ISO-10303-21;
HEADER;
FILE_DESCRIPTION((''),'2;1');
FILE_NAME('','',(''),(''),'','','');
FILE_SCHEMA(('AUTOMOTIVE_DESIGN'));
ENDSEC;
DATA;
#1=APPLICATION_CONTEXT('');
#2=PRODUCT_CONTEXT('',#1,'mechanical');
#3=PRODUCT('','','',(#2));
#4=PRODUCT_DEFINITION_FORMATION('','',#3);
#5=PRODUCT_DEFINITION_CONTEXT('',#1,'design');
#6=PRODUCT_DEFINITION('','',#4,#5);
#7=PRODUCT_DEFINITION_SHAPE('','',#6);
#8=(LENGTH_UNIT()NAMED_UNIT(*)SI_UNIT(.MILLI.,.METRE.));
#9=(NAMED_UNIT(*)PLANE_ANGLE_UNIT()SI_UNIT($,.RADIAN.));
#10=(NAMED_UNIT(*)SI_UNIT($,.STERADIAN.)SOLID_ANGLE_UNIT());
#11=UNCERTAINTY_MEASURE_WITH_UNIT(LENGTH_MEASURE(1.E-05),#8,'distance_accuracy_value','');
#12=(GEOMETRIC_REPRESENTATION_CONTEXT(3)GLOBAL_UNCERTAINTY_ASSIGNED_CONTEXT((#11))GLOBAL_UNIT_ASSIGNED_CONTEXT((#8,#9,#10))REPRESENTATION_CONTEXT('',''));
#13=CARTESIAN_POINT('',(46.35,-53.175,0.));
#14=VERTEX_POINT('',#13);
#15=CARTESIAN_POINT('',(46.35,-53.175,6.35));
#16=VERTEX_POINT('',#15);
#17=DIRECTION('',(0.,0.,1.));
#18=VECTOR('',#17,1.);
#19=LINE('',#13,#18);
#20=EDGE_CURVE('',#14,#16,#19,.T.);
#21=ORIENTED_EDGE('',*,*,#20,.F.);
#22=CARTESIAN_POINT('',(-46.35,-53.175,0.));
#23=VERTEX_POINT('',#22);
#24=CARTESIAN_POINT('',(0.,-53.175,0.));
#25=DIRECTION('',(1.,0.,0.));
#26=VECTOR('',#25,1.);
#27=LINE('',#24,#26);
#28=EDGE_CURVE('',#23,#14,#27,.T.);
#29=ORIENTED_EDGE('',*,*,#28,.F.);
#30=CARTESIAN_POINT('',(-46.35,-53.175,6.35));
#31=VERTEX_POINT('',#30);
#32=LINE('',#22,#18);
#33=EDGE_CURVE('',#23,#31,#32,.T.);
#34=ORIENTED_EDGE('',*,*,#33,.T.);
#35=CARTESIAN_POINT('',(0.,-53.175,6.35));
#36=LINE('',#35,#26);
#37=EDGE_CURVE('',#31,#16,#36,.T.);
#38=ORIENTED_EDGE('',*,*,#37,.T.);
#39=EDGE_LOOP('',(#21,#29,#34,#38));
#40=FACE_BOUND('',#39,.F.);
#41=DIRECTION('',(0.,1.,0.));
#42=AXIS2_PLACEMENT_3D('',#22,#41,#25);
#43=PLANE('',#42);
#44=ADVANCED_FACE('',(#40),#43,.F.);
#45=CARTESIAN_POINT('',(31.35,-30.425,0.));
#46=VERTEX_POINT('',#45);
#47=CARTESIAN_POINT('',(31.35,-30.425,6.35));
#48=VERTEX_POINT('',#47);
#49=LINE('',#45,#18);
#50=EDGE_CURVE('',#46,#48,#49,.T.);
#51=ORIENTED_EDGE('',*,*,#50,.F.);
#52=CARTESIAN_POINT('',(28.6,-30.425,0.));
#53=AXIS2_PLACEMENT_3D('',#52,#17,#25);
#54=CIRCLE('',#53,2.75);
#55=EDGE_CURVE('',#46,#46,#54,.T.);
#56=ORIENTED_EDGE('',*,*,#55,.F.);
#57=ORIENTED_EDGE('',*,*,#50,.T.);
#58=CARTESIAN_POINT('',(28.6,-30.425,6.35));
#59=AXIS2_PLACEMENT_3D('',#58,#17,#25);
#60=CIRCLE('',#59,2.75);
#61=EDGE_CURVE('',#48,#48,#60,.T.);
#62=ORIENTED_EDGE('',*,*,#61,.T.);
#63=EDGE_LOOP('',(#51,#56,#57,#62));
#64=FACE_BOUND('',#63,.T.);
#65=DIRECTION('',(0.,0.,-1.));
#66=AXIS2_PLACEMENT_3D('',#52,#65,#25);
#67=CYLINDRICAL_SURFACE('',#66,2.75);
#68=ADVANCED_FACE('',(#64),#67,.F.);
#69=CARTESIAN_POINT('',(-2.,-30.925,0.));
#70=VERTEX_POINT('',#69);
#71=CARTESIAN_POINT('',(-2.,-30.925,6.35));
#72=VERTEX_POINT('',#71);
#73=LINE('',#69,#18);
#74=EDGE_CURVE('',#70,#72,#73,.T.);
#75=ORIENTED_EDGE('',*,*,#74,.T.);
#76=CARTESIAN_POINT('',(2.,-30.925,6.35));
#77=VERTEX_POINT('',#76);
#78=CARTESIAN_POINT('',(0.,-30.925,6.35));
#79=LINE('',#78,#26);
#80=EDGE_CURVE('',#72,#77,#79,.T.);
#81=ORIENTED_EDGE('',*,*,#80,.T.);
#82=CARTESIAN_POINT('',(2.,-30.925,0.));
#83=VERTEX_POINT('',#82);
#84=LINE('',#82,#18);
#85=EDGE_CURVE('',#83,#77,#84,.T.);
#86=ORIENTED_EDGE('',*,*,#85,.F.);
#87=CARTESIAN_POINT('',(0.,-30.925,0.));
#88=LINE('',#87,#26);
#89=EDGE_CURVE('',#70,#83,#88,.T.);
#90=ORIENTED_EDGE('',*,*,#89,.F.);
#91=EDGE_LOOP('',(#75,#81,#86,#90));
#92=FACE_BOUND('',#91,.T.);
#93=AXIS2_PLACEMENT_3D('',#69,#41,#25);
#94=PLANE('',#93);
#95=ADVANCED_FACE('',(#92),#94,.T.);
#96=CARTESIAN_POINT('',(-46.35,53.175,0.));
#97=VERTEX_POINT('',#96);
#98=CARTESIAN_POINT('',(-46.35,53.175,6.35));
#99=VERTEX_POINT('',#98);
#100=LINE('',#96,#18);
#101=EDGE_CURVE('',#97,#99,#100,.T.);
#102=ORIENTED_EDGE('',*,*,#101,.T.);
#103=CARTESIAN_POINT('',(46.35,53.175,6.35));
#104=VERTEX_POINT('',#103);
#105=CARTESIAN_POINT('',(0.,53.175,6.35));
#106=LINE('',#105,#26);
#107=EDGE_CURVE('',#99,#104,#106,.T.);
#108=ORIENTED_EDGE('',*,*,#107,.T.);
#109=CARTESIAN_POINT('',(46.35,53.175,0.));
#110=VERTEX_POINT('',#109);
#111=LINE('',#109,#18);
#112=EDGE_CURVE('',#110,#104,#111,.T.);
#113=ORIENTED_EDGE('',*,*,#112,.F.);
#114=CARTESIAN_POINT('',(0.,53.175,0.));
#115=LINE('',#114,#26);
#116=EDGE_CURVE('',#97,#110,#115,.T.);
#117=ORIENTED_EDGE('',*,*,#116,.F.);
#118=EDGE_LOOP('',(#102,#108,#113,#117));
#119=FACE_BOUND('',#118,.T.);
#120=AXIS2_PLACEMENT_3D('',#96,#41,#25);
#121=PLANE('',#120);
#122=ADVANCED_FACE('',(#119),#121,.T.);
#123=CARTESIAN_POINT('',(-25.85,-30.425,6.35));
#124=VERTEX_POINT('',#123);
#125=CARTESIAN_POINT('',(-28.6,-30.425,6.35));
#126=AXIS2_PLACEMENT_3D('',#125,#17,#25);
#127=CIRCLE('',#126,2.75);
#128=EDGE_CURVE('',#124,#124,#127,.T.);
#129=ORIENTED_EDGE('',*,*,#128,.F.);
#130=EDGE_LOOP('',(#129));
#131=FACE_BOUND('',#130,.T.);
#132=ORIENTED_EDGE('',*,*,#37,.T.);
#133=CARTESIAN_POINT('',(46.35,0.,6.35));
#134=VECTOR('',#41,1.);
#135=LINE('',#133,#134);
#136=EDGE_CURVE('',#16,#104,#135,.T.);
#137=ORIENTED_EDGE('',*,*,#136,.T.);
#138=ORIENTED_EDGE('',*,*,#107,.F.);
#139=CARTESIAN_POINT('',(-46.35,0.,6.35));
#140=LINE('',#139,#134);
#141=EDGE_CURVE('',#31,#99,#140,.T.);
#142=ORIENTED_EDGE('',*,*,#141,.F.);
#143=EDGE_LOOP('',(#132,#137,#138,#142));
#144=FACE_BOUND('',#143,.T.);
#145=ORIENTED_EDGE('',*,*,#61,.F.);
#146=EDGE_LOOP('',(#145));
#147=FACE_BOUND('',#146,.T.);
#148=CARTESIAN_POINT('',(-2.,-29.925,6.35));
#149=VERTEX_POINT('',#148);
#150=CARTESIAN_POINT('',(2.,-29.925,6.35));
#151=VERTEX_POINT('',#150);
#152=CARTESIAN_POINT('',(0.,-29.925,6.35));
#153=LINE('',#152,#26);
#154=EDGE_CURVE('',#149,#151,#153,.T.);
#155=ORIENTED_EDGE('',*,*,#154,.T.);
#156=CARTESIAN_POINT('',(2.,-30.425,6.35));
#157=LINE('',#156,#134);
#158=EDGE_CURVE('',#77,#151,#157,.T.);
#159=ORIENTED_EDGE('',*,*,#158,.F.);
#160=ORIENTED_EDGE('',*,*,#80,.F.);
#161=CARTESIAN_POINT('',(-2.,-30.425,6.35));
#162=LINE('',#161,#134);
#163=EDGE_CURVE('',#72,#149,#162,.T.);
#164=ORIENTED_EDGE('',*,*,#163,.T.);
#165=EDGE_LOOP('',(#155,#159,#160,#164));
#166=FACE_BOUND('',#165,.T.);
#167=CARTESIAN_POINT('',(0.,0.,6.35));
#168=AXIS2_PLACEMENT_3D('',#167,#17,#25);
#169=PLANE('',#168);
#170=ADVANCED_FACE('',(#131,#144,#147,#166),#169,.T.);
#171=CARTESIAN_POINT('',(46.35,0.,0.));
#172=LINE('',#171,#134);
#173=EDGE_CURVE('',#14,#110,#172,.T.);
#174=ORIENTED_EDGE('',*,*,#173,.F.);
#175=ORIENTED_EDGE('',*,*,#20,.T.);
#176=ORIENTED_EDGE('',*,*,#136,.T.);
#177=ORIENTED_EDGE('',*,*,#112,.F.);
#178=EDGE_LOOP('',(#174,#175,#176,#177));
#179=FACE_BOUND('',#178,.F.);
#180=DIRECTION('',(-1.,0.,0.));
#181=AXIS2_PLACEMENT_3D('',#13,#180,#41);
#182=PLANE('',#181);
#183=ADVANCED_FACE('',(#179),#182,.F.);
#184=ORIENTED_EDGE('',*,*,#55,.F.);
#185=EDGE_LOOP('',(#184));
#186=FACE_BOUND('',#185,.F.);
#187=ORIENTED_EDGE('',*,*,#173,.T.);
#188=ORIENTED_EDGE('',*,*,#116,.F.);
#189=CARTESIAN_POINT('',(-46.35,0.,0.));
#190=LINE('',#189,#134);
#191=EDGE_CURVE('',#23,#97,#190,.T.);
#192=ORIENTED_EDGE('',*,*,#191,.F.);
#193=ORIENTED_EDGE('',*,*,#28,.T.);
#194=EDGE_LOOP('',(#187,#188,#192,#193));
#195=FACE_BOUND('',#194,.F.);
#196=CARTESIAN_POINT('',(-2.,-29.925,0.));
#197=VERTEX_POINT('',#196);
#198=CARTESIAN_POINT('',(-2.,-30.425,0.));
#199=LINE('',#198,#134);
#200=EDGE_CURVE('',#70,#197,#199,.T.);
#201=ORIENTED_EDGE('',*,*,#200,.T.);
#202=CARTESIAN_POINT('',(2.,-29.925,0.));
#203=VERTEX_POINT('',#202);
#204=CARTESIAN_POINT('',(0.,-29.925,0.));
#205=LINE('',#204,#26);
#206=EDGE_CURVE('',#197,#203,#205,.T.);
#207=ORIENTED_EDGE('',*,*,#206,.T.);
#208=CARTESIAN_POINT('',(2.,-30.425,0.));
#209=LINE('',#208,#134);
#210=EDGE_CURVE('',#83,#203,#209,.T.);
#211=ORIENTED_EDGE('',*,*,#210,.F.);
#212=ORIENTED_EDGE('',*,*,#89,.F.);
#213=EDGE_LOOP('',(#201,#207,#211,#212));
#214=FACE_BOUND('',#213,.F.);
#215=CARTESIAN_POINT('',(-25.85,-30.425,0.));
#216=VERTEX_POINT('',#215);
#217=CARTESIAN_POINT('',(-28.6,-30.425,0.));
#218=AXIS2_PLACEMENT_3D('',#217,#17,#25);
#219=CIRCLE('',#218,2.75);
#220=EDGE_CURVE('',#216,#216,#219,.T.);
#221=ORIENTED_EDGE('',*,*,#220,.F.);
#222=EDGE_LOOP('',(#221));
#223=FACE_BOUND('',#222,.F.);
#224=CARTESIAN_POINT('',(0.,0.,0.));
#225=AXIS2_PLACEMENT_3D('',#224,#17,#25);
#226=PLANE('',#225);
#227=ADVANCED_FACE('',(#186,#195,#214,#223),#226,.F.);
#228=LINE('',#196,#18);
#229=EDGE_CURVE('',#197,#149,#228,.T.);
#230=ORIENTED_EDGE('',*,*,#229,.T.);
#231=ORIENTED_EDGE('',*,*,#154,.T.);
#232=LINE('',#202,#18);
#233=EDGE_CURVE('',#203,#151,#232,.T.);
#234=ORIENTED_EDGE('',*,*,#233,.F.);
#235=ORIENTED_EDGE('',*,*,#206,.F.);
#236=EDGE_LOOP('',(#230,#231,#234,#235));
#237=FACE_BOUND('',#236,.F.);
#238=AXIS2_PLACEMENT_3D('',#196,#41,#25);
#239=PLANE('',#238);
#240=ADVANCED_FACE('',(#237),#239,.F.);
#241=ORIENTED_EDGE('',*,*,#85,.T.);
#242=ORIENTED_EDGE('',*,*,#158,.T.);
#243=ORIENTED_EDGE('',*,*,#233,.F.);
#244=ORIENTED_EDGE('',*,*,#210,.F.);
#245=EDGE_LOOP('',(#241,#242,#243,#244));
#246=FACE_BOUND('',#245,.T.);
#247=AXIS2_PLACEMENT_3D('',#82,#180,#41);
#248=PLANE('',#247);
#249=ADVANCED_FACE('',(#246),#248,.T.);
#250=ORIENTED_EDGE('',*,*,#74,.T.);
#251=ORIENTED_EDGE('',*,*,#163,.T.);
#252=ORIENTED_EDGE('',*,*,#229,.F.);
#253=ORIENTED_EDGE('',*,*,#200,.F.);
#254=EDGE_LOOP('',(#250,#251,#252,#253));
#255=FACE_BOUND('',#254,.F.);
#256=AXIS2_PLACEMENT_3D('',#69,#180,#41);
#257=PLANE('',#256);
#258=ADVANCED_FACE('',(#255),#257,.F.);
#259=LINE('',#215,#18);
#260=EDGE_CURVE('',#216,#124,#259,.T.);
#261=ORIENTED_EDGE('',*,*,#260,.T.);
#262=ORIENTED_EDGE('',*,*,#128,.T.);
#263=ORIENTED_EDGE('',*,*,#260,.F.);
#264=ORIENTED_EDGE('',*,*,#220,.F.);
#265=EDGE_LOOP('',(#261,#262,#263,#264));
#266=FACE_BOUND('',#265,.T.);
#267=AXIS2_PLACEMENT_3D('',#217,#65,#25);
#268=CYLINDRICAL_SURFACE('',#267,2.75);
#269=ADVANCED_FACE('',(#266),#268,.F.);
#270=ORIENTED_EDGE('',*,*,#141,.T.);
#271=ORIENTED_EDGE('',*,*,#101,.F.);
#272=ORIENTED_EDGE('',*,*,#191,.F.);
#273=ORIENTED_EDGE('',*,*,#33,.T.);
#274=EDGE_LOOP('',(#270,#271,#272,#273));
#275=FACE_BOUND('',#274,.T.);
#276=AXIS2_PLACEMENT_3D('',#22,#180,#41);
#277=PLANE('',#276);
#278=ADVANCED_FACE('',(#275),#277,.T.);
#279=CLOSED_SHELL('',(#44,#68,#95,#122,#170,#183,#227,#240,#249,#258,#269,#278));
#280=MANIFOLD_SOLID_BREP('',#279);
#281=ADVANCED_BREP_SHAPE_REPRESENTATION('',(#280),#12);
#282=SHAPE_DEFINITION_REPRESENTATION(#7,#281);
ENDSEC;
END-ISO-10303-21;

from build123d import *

# Parameters (mm, degrees)
F0_W     = 92.7
F0_H     = 106.35
F0_R     = 2.75
F0_W_2   = 4
F0_H_2   = 1
F1_DEPTH = 6.35


with BuildPart() as f1:
    # F0 (on Top) → F1 (new body)
    with BuildSketch(Plane.XY):
        Rectangle(F0_W, F0_H)
        with Locations((-28.6, -30.425)):
            Circle(F0_R, mode=Mode.SUBTRACT)
        with Locations((0, -30.425)):
            Rectangle(F0_W_2, F0_H_2, mode=Mode.SUBTRACT)
        with Locations((28.6, -30.425)):
            Circle(F0_R, mode=Mode.SUBTRACT)
    extrude(amount=F1_DEPTH)


solid = f1.part
